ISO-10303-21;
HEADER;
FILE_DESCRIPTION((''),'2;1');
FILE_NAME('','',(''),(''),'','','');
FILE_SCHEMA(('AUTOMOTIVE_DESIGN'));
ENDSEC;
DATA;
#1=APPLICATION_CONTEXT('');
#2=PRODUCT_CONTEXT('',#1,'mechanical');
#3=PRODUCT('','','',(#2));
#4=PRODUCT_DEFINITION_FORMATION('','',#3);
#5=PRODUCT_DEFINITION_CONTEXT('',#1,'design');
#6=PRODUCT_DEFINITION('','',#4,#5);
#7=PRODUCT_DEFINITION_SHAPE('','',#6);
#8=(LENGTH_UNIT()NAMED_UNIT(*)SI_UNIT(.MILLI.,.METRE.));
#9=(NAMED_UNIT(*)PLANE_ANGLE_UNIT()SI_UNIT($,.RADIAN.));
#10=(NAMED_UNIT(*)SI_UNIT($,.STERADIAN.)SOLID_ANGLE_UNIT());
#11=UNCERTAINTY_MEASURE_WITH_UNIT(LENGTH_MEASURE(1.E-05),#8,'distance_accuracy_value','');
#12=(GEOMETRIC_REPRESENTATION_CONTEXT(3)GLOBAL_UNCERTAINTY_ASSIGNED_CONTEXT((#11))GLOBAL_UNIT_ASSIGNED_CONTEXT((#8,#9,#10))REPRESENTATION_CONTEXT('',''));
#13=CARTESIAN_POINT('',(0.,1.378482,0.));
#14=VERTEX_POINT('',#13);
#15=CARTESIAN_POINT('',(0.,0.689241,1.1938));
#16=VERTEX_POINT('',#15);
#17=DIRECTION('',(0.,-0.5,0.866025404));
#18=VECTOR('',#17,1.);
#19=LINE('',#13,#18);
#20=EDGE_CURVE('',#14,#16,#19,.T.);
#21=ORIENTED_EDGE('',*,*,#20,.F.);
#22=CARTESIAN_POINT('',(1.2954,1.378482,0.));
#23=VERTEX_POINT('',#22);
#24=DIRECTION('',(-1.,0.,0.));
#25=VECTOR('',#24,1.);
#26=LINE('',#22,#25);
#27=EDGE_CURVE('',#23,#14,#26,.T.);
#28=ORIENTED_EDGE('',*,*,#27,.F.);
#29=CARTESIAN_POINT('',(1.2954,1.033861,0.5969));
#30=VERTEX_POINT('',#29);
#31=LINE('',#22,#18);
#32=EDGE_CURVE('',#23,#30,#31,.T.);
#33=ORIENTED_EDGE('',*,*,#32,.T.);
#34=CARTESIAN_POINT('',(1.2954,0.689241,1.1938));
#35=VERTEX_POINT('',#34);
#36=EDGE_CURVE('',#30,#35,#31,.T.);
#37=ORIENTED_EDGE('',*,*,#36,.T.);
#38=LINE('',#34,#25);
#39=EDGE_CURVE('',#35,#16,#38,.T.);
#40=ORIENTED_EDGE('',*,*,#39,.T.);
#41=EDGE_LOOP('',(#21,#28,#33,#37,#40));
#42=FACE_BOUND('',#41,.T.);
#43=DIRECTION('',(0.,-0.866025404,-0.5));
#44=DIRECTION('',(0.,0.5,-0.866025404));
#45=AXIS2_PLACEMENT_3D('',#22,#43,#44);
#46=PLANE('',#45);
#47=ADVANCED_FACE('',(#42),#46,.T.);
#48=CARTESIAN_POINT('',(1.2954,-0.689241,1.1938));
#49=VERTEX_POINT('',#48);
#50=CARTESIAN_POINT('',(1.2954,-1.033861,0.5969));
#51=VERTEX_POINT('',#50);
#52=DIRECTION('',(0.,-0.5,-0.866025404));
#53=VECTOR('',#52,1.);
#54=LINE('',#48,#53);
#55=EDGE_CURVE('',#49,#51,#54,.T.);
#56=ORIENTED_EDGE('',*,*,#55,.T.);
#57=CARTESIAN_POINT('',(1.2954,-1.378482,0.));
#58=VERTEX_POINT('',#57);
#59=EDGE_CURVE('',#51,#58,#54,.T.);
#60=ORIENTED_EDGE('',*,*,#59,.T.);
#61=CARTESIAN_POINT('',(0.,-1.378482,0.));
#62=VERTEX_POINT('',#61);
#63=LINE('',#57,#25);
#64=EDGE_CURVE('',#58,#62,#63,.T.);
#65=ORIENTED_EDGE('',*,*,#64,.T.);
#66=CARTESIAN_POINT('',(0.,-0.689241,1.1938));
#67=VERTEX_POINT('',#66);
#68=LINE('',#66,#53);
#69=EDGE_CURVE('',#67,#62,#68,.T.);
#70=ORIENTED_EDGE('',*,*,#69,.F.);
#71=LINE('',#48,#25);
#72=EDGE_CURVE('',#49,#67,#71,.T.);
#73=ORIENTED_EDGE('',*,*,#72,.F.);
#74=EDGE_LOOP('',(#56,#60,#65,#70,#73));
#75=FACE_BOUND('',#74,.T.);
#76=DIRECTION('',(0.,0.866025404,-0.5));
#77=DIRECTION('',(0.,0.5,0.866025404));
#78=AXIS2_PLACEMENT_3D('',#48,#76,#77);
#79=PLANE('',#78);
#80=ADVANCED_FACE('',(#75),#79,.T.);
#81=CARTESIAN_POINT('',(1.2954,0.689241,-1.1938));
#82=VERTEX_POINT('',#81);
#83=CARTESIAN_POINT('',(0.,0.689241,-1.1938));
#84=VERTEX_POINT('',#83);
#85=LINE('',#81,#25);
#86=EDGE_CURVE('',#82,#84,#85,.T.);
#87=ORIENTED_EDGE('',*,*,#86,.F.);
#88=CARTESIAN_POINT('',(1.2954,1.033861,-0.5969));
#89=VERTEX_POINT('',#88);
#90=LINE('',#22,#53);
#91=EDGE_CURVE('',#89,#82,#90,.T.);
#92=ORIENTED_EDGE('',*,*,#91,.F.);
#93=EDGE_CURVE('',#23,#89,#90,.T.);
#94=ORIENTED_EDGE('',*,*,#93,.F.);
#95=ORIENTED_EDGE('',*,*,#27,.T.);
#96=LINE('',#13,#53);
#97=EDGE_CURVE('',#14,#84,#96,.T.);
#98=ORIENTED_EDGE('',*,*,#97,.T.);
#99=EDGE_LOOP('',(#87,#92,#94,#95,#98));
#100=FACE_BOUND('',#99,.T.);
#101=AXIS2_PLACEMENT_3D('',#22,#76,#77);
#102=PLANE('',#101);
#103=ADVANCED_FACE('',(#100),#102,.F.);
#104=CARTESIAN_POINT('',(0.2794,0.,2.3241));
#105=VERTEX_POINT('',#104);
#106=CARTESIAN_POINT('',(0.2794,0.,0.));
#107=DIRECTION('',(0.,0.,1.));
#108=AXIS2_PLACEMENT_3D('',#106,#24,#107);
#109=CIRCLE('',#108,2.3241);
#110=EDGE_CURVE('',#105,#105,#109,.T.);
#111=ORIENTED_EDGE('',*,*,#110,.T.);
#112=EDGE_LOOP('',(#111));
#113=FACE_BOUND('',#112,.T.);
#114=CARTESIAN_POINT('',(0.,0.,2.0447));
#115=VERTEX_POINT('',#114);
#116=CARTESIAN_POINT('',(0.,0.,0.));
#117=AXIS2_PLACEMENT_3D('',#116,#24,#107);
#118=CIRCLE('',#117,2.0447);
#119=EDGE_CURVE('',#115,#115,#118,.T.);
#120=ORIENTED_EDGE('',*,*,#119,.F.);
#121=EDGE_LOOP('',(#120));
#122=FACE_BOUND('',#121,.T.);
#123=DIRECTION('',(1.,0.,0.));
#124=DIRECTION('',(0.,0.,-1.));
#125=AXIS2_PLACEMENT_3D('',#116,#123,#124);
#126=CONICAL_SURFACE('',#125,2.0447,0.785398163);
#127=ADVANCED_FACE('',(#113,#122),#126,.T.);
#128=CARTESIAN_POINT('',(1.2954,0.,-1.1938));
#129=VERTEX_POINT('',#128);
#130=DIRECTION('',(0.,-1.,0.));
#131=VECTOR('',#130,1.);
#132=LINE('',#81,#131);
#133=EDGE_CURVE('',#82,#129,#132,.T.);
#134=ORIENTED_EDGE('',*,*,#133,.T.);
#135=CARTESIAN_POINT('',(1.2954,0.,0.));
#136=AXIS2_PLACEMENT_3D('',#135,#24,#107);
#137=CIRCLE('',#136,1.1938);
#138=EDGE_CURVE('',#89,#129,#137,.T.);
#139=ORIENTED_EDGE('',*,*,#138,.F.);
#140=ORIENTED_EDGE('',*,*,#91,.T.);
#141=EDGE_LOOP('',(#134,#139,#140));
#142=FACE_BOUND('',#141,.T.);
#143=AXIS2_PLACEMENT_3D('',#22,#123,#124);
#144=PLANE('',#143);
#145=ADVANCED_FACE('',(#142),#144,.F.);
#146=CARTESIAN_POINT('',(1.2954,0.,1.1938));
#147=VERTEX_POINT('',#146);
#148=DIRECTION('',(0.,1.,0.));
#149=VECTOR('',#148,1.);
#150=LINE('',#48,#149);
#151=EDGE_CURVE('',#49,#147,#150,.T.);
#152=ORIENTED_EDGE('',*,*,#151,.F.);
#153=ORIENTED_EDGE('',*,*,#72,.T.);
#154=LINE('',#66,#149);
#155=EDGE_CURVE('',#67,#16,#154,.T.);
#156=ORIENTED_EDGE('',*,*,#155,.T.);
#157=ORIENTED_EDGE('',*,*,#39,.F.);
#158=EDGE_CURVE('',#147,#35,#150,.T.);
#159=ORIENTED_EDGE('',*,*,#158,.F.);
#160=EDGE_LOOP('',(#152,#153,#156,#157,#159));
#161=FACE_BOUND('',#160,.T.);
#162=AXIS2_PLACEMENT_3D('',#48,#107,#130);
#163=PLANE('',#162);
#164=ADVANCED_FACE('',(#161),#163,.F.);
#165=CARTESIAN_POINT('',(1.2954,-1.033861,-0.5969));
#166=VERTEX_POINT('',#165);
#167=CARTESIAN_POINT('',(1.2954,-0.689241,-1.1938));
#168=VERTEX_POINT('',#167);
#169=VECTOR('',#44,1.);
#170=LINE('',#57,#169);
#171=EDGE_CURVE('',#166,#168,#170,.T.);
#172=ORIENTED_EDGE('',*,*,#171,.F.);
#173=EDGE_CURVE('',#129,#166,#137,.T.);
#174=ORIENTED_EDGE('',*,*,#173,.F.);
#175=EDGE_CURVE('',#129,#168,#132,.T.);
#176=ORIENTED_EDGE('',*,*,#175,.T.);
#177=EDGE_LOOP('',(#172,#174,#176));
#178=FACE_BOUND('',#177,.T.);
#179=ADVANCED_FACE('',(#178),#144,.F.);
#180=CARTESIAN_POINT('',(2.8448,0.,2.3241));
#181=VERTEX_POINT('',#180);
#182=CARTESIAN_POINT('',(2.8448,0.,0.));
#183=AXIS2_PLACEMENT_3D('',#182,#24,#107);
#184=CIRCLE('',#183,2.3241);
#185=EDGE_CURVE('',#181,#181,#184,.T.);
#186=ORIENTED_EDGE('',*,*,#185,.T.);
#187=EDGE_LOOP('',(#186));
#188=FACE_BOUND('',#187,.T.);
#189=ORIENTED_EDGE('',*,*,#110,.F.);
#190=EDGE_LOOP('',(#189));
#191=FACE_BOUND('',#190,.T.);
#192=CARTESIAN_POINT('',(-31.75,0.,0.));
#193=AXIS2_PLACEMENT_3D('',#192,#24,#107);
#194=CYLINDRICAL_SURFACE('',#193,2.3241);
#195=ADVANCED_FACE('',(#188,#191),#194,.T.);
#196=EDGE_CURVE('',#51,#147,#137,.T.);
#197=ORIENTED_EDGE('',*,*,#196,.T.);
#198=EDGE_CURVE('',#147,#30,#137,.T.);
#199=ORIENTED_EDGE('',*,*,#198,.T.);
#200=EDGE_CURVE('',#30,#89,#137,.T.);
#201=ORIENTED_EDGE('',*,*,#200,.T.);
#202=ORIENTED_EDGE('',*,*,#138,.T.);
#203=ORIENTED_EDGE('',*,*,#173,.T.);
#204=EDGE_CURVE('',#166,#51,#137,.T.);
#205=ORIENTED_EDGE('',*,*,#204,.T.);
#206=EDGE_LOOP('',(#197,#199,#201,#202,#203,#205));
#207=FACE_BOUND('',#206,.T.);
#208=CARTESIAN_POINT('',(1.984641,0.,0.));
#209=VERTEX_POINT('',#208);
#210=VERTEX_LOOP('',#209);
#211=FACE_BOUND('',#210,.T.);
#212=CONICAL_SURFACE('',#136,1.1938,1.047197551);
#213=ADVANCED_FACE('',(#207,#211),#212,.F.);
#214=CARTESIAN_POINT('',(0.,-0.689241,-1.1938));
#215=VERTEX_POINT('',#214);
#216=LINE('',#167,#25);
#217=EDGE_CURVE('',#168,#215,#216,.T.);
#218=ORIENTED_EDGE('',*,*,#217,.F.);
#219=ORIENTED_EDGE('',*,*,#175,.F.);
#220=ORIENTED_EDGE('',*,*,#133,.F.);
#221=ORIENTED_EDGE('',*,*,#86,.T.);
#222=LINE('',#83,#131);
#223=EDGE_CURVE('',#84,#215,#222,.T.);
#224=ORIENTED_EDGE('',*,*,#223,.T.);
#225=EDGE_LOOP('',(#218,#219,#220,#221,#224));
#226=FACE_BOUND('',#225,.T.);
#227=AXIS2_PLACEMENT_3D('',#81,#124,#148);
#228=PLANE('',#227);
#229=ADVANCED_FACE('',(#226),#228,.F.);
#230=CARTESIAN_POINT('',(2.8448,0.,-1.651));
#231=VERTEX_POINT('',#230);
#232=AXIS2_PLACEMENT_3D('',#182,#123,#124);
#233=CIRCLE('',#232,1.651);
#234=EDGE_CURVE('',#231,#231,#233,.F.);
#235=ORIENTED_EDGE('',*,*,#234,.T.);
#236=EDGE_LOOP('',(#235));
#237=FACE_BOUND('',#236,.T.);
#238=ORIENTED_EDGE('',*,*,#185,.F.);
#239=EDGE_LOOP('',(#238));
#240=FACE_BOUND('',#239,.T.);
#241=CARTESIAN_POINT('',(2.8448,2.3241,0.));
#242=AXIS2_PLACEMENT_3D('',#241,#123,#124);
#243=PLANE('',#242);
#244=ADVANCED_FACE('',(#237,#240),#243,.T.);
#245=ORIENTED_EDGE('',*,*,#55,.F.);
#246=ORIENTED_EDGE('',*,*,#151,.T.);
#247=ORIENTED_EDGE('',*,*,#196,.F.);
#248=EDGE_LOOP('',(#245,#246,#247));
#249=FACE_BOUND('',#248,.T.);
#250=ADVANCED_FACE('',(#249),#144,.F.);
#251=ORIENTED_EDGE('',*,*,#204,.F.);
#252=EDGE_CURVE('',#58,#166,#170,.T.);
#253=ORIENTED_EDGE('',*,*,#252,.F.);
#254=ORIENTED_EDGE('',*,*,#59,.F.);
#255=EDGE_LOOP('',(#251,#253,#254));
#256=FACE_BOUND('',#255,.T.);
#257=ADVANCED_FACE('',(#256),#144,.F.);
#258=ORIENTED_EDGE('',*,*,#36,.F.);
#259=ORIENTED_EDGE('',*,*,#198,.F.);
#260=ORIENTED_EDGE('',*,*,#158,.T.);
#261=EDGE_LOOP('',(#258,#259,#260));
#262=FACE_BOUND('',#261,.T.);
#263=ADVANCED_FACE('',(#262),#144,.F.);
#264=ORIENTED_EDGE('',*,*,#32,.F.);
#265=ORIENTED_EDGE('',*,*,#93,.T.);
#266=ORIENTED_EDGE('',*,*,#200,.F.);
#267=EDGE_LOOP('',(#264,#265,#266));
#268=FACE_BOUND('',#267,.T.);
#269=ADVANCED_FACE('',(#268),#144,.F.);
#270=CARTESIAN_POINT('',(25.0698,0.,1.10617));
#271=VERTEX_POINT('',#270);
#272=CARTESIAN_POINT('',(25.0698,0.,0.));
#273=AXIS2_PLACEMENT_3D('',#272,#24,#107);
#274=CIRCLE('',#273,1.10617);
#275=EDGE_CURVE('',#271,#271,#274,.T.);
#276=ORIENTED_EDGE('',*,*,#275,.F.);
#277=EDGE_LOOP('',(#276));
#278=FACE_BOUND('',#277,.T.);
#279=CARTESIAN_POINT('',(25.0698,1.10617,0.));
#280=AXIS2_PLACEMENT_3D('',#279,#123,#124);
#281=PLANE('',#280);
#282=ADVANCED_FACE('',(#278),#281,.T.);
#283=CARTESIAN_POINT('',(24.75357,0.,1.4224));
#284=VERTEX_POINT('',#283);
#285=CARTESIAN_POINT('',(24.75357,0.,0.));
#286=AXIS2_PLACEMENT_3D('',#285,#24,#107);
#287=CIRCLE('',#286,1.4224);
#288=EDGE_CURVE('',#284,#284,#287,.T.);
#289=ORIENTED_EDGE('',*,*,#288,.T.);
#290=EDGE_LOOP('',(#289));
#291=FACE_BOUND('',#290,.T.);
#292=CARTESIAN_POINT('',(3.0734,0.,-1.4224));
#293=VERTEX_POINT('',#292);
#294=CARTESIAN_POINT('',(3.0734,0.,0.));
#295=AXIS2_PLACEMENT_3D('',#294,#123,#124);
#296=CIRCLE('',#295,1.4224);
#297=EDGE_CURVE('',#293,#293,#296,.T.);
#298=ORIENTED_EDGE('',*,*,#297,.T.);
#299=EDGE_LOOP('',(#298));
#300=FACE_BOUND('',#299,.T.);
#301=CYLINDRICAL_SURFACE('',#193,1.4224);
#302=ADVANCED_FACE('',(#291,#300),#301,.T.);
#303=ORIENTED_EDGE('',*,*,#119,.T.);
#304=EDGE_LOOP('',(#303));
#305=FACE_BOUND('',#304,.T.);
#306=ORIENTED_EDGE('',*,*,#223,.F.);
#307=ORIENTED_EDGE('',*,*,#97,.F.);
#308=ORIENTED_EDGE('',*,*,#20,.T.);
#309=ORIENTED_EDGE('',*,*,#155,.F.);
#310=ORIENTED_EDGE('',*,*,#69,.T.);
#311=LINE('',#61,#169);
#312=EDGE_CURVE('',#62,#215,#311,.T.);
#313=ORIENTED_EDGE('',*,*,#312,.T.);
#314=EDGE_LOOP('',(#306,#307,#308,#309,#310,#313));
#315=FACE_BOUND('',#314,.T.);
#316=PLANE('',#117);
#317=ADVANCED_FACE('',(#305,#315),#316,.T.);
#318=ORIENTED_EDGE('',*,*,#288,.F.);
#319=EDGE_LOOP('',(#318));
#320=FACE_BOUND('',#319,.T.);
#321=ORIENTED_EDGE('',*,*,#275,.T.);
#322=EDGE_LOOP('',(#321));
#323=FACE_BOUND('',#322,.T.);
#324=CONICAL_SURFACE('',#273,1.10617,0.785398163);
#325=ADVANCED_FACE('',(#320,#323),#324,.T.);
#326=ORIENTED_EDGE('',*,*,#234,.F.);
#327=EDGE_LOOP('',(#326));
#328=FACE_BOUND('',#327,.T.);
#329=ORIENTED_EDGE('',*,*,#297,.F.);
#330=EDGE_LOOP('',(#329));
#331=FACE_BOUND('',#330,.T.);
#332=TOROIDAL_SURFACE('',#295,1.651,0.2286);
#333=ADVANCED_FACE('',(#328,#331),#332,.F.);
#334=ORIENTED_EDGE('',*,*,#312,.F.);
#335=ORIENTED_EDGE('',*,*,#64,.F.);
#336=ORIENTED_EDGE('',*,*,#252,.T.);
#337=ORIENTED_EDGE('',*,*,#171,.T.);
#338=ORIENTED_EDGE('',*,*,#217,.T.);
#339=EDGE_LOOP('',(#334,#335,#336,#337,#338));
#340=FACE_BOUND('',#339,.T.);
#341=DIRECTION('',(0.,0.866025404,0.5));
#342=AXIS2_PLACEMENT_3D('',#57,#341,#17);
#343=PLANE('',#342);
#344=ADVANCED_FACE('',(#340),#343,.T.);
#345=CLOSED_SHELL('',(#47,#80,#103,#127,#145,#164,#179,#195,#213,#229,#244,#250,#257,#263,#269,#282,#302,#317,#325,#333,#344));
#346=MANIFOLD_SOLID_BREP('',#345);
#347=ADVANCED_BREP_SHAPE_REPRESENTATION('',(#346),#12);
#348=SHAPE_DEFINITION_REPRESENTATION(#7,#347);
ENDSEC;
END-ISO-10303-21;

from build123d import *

# Parameters (mm, degrees)
FILLET1_R   = 0.2286
HEX_2_DEPTH = 1.2954


with BuildPart() as part:
    # BodySke → Base-Revolve (revolve)
    with BuildSketch(Plane.XY, mode=Mode.PRIVATE) as base_revolve_sk:
        Polygon((0, 0), (0, 2.0447), (0.2794, 2.3241), (2.8448, 2.3241), (2.8448, 1.4224), (24.75357, 1.4224), (25.0698, 1.10617), (25.0698, 0), align=None)
    revolve(base_revolve_sk.sketch.rotate(Axis((-31.75, 0, 0), (1, 0, 0)), 90), axis=Axis((-31.75, 0, 0), (1, 0, 0)))

    # Fillet1
    fillet1_edges = [part.edges().sort_by_distance(p)[0] for p in [
        (2.8448, 0, -1.4224),
    ]]
    fillet(fillet1_edges, radius=FILLET1_R)

    # Sketch2 → Hex-PreBroach (revolve, cut)
    with BuildSketch(Plane.XY, mode=Mode.PRIVATE) as hex_prebroach_sk:
        Polygon((0, 1.1938), (1.2954, 1.1938), (1.984640751, 0), (0, 0), align=None)
    revolve(hex_prebroach_sk.sketch.rotate(Axis((0, 0, 0), (1, 0, 0)), 90), axis=Axis((0, 0, 0), (1, 0, 0)), mode=Mode.SUBTRACT)

    # Sketch3 → Hex 2 (cut)
    with BuildSketch(Plane(origin=(0, 0, 0), x_dir=(0, 0.500000000000001, 0.866025403784438), z_dir=(-1, 0, 0))):
        Polygon((0.689240751, 1.1938), (-0.689240751, 1.1938), (-1.378481503, 0), (-0.689240751, -1.1938), (0.689240751, -1.1938), (1.378481503, 0), align=None)
    extrude(amount=-HEX_2_DEPTH, mode=Mode.SUBTRACT)


solid = part.part
